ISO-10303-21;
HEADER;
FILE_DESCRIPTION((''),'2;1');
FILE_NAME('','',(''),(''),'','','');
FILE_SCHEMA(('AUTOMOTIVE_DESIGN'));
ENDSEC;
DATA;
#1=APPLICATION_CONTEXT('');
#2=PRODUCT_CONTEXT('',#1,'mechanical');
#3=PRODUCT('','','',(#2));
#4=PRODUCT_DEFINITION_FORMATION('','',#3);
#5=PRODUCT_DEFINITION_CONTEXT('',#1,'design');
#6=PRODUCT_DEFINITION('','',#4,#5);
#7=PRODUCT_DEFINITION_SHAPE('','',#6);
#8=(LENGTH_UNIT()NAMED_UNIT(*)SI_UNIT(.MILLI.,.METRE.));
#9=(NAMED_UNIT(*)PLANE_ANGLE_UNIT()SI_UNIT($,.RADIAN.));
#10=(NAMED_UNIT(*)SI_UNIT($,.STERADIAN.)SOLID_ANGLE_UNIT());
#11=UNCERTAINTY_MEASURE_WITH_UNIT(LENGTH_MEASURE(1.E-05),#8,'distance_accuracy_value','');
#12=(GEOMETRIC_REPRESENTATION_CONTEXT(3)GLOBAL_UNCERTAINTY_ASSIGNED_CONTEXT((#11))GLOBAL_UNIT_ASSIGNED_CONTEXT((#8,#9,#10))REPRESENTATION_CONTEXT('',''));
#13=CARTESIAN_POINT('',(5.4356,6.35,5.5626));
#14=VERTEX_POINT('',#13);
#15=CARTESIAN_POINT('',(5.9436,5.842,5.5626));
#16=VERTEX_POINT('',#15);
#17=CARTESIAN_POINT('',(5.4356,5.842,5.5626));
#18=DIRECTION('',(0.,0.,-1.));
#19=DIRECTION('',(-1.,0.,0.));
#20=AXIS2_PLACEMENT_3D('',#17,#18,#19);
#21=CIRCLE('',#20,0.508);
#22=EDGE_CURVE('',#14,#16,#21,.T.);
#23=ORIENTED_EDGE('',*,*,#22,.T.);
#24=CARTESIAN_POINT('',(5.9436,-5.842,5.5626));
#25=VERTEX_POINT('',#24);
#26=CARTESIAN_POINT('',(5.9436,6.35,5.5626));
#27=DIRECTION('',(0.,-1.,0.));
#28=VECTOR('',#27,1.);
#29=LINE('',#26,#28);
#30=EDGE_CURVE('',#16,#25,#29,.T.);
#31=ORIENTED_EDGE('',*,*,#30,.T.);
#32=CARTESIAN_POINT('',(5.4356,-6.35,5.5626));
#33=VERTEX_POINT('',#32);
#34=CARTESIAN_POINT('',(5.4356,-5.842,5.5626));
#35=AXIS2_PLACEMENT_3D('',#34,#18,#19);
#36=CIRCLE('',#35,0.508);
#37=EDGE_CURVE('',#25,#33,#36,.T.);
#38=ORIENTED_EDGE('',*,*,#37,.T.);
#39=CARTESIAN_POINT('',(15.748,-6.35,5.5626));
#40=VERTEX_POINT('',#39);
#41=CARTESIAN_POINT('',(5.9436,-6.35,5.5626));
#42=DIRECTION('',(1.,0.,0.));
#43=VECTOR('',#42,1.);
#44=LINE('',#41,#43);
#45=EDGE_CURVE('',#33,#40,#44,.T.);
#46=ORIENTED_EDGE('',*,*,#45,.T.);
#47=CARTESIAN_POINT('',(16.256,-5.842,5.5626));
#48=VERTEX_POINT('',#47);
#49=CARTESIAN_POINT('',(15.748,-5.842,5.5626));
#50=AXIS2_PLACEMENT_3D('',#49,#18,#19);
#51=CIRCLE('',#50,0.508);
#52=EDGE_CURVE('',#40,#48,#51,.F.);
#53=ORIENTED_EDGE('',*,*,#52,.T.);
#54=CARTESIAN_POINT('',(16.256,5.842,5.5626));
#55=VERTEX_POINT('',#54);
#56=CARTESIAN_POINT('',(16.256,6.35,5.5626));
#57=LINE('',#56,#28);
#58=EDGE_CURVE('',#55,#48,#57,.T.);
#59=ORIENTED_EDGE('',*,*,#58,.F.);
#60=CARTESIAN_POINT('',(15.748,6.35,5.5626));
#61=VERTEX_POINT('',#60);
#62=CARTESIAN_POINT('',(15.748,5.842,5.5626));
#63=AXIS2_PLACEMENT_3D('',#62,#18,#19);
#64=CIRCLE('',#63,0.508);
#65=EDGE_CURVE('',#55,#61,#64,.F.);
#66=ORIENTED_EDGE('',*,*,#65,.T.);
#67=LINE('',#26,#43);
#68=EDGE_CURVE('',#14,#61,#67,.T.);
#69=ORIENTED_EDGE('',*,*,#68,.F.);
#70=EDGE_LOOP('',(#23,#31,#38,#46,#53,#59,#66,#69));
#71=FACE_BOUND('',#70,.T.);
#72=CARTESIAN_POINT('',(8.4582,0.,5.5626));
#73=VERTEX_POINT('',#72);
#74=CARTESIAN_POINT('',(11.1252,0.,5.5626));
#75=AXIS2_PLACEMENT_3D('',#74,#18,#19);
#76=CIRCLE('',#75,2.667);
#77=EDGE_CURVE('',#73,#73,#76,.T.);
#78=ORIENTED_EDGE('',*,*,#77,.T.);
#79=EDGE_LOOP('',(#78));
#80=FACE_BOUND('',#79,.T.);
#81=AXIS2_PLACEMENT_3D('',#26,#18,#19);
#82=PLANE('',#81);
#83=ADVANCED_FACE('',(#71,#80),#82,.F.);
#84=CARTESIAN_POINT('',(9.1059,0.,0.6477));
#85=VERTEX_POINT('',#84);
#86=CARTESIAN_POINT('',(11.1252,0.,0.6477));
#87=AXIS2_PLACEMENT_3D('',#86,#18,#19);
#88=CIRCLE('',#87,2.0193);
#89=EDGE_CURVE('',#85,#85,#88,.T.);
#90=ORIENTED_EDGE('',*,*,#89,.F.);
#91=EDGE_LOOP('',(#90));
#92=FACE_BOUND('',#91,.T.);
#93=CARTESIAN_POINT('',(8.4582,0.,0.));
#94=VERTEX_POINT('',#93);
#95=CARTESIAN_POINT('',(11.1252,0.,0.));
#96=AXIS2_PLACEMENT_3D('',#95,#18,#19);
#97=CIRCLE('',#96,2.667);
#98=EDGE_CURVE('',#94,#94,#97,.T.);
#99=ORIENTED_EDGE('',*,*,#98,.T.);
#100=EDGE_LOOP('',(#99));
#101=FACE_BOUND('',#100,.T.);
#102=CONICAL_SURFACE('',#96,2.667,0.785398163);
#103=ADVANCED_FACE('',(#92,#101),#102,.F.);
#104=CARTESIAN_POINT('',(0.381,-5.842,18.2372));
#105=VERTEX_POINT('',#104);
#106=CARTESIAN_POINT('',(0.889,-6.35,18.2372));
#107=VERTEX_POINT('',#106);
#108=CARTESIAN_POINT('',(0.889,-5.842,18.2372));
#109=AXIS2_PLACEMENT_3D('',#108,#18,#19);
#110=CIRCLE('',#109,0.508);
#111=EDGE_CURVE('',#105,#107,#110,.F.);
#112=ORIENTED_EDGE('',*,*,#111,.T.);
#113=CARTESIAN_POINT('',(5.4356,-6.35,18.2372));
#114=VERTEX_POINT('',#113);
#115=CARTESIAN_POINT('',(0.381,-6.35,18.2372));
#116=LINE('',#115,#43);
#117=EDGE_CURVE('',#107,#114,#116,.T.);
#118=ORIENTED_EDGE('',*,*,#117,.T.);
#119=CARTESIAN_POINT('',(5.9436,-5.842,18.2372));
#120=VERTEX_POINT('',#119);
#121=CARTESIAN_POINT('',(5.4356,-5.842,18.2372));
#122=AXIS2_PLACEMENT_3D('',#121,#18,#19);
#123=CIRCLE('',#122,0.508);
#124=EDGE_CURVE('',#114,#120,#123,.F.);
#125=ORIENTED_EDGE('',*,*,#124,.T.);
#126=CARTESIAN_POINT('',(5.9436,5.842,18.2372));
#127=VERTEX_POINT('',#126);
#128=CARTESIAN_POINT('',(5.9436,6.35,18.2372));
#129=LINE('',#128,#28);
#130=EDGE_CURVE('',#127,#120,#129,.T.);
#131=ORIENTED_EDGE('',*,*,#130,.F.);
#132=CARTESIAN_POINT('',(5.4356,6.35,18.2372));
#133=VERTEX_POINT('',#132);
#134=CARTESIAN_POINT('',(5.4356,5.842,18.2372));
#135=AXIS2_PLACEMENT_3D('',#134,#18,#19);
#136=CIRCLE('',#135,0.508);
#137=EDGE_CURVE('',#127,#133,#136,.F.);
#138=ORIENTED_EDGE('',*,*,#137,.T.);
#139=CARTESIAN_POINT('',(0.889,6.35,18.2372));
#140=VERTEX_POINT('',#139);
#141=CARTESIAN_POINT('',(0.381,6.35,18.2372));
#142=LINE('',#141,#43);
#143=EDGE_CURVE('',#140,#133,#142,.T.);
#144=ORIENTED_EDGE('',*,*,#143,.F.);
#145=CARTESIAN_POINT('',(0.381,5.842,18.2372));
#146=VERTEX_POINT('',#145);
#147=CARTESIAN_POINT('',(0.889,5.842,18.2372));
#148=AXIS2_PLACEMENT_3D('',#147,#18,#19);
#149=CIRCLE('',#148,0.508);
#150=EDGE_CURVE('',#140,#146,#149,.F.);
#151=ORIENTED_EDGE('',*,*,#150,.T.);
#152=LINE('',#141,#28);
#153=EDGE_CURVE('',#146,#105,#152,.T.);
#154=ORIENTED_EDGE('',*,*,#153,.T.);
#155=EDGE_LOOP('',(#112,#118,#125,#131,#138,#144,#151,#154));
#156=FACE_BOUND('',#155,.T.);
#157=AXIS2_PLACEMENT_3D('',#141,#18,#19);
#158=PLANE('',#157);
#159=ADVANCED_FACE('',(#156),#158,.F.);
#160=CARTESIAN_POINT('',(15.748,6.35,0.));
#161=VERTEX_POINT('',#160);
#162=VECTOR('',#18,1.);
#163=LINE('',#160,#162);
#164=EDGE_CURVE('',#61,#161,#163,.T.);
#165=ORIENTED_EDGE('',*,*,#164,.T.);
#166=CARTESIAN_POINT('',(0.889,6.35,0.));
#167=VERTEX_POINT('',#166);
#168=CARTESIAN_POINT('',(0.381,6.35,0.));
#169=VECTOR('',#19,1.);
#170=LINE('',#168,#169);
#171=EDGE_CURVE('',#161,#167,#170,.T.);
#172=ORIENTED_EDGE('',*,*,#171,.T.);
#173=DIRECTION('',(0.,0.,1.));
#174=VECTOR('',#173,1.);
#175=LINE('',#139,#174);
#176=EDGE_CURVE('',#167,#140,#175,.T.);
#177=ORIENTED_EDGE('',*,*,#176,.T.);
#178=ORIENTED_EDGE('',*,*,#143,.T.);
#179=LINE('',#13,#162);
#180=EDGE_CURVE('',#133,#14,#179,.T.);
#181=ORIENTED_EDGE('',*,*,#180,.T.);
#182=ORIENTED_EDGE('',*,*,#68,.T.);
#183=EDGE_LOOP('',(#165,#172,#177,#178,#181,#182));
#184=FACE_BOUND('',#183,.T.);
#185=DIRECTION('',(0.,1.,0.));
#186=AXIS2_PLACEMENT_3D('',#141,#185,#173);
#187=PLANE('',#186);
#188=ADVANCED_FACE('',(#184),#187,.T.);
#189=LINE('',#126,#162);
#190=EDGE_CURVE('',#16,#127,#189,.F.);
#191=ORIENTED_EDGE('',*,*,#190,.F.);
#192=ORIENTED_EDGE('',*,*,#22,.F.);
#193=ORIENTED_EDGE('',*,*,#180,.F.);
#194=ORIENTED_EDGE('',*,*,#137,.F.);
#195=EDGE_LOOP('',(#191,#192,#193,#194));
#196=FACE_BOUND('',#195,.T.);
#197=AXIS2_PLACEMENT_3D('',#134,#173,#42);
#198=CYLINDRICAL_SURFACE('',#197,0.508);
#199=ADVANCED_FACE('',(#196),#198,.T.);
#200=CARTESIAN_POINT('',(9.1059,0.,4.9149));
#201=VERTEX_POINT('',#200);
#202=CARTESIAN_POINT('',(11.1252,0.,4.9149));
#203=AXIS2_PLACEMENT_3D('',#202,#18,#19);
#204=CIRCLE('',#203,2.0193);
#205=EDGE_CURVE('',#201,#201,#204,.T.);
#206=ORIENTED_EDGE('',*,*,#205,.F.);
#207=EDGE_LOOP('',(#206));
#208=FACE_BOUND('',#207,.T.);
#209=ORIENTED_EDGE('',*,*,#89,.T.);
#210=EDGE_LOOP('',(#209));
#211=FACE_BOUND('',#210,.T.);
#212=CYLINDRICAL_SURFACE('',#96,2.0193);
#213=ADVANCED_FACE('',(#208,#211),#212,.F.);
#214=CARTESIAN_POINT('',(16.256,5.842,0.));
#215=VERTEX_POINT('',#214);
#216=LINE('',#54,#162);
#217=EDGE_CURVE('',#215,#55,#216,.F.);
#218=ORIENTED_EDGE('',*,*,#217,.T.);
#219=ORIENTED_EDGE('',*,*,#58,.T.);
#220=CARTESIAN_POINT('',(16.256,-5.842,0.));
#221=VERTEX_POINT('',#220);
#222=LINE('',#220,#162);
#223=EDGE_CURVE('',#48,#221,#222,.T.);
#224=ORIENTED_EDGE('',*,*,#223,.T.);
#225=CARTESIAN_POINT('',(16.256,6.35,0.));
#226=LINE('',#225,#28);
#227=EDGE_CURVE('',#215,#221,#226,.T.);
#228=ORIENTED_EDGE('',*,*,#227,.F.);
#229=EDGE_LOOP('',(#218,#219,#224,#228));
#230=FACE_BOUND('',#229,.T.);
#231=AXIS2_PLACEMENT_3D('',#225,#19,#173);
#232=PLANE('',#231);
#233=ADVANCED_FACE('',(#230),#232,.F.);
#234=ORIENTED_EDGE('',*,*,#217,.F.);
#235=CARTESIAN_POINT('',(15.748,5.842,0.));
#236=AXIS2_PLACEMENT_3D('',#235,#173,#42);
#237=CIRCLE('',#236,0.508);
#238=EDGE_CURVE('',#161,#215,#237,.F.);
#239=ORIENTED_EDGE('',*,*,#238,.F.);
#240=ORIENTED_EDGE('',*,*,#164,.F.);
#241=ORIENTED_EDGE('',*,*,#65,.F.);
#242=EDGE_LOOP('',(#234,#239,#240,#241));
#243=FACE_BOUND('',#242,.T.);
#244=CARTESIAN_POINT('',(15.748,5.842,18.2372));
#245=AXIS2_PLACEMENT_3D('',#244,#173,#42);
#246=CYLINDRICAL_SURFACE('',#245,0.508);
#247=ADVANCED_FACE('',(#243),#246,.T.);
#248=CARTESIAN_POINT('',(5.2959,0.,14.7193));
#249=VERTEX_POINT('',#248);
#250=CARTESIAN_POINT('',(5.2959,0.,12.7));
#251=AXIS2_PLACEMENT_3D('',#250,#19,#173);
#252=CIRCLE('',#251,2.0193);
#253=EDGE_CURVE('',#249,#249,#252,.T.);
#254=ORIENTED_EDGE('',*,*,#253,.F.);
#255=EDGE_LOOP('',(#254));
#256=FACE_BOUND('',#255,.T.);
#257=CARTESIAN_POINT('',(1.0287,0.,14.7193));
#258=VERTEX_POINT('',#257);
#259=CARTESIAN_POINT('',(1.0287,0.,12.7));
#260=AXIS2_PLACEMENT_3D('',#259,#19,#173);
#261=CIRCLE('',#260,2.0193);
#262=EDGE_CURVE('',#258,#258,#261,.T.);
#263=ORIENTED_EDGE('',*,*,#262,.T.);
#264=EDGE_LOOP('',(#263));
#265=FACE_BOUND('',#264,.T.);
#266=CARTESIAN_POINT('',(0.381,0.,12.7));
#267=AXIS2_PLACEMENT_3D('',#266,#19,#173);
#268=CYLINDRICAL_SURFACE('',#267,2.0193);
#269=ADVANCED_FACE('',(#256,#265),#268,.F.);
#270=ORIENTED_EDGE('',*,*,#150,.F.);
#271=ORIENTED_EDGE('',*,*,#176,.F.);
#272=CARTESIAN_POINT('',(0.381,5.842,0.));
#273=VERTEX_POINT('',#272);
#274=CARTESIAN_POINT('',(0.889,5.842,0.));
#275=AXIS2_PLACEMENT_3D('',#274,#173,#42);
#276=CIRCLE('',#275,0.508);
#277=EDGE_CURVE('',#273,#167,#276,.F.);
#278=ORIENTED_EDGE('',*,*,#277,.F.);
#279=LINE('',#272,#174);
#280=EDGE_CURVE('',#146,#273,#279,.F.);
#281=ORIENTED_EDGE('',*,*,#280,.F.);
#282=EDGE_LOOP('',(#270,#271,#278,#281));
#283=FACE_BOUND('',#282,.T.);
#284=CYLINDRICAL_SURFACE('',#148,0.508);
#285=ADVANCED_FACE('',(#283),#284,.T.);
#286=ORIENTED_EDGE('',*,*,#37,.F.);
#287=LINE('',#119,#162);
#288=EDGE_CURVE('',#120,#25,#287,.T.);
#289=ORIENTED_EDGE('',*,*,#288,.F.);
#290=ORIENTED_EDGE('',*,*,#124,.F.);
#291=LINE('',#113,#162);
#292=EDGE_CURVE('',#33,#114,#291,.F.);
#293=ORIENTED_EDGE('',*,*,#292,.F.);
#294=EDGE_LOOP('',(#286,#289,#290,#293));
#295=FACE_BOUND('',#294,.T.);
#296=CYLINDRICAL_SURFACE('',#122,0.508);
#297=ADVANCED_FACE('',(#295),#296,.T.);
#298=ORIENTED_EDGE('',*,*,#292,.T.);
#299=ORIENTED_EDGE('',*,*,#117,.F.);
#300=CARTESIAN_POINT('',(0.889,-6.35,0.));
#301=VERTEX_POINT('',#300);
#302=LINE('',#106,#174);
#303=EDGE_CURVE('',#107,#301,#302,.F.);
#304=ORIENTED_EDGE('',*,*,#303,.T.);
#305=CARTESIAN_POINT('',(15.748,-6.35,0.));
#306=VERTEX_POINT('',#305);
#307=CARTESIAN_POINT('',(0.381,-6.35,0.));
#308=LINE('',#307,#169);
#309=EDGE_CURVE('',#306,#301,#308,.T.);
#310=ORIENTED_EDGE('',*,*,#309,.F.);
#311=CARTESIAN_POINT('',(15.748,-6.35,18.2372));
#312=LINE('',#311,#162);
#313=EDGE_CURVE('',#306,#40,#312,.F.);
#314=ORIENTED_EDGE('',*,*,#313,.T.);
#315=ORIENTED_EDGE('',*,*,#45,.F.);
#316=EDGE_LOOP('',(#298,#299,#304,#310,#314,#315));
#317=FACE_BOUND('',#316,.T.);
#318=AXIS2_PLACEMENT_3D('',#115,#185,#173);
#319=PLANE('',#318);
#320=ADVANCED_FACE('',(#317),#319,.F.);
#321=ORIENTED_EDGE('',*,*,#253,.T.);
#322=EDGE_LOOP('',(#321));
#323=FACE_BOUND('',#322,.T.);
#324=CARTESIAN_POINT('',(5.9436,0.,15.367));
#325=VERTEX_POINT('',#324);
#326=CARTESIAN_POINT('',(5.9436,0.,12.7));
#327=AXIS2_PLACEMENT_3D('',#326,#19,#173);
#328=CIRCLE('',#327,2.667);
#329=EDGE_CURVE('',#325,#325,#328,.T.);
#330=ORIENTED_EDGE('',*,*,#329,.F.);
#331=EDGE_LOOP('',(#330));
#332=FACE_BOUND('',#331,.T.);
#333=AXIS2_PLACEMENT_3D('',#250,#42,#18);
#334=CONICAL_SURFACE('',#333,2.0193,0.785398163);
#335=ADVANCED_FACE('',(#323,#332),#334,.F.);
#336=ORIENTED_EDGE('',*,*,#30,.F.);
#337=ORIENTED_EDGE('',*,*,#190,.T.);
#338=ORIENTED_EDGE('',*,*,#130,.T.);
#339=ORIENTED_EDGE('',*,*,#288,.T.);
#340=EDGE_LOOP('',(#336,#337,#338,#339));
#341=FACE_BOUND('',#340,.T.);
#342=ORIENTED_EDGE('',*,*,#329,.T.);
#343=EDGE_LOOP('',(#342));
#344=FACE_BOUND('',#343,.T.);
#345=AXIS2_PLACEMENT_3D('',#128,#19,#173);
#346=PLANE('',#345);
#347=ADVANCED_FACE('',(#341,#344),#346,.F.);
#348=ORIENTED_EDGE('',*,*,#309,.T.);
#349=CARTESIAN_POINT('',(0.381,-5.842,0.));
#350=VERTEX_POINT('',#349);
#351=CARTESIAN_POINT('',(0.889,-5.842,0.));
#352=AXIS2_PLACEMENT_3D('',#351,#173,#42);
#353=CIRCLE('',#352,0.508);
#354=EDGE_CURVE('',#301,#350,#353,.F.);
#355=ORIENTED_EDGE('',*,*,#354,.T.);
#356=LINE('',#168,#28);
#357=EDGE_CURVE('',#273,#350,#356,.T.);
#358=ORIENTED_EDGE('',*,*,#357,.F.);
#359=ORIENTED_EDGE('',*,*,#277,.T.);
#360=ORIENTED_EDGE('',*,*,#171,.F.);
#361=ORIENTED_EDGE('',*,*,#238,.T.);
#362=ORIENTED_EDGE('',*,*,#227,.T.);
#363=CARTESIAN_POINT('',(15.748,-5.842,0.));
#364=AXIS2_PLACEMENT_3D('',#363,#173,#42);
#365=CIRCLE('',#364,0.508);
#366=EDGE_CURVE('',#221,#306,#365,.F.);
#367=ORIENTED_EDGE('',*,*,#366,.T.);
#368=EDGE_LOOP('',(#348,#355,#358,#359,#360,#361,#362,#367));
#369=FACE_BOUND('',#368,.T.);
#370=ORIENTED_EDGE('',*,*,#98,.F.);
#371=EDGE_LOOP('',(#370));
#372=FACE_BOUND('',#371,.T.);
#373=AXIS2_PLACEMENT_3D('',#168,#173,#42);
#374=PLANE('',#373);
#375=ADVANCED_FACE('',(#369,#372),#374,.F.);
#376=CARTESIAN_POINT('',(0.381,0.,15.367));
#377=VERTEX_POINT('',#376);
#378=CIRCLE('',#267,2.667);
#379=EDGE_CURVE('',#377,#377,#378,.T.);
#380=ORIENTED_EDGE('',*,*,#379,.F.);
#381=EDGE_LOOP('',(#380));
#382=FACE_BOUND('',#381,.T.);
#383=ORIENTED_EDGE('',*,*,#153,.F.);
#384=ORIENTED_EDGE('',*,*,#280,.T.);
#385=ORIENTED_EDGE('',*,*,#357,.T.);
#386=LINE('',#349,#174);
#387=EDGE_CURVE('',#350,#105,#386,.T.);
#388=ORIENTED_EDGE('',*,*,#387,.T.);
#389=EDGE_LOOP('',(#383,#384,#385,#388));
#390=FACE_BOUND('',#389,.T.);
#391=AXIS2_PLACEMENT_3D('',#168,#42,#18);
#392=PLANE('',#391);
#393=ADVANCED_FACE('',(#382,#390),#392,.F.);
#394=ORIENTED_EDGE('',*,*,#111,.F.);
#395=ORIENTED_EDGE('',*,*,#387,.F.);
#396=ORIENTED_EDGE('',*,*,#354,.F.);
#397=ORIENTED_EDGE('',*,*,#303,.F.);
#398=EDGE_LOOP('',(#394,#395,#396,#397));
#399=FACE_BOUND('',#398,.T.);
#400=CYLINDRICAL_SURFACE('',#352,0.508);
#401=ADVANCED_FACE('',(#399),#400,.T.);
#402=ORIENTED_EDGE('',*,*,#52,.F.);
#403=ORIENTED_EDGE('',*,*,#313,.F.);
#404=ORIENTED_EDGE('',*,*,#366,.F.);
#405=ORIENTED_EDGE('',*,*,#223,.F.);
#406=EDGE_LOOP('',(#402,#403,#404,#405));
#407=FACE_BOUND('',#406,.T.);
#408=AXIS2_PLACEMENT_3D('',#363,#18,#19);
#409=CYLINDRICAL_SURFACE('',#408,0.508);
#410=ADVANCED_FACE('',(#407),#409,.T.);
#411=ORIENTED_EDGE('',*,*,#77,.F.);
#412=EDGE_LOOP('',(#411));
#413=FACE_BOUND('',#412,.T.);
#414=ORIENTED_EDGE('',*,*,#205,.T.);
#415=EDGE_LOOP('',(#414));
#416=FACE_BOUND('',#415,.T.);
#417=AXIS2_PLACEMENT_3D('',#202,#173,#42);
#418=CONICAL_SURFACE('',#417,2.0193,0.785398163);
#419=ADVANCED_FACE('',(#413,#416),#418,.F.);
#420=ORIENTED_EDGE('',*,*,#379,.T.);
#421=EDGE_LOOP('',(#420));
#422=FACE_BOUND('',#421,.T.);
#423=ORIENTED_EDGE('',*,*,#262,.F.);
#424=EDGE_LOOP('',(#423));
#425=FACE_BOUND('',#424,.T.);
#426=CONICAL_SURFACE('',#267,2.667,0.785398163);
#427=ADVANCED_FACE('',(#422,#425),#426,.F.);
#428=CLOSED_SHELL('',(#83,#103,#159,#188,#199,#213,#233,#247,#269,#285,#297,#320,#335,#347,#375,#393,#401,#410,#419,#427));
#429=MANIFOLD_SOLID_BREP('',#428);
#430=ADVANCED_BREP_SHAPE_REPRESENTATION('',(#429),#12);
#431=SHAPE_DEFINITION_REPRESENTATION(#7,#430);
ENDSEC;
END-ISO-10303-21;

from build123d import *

# Parameters (mm, degrees)
EXTRUDE1_DEPTH = 6.35
FILLET1_R      = 0.508


with BuildPart() as part:
    # Sketch1 → Extrude1 (new, symmetric)
    with BuildSketch(Plane(origin=(0, 0, 0), x_dir=(1, 0, 0), z_dir=(0, 1, 0))):
        Polygon((5.9436, -18.2372), (5.9436, -5.5626), (16.256, -5.5626), (16.256, 0), (0.381, 0), (0.381, -18.2372), align=None)
    extrude(amount=EXTRUDE1_DEPTH, both=True)

    # Sketch2 → #10-32 Tapped Hole2 (revolve, cut)
    with BuildSketch(Plane(origin=(0.381, 0, 12.7), x_dir=(0, 0, 1), z_dir=(0, 1, 0))):
        Polygon((0, 0), (0, 5.5626), (2.667, 5.5626), (2.0193, 4.9149), (2.0193, 0.6477), (2.667, 0), align=None)
    revolve(axis=Axis((-5.969, 0, 12.7), (1, 0, 0)), mode=Mode.SUBTRACT)

    # Sketch4 → #10-32 Tapped Hole1 (revolve, cut)
    with BuildSketch(Plane.YZ.offset(11.1252)):
        Polygon((0, 0), (0, 5.5626), (2.667, 5.5626), (2.0193, 4.9149), (2.0193, 0.6477), (2.667, 0), align=None)
    revolve(axis=Axis((11.1252, 0, -6.35), (0, 0, 1)), mode=Mode.SUBTRACT)

    # Fillet1
    fillet1_edges = [part.edges().sort_by_distance(p)[0] for p in [
        (5.9436, 6.35, 11.8999),
        (16.256, 6.35, 2.7813),
        (0.381, 6.35, 9.1186),
        (16.256, -6.35, 2.7813),
        (5.9436, -6.35, 11.8999),
        (0.381, -6.35, 9.1186),
    ]]
    fillet(fillet1_edges, radius=FILLET1_R)


solid = part.part
